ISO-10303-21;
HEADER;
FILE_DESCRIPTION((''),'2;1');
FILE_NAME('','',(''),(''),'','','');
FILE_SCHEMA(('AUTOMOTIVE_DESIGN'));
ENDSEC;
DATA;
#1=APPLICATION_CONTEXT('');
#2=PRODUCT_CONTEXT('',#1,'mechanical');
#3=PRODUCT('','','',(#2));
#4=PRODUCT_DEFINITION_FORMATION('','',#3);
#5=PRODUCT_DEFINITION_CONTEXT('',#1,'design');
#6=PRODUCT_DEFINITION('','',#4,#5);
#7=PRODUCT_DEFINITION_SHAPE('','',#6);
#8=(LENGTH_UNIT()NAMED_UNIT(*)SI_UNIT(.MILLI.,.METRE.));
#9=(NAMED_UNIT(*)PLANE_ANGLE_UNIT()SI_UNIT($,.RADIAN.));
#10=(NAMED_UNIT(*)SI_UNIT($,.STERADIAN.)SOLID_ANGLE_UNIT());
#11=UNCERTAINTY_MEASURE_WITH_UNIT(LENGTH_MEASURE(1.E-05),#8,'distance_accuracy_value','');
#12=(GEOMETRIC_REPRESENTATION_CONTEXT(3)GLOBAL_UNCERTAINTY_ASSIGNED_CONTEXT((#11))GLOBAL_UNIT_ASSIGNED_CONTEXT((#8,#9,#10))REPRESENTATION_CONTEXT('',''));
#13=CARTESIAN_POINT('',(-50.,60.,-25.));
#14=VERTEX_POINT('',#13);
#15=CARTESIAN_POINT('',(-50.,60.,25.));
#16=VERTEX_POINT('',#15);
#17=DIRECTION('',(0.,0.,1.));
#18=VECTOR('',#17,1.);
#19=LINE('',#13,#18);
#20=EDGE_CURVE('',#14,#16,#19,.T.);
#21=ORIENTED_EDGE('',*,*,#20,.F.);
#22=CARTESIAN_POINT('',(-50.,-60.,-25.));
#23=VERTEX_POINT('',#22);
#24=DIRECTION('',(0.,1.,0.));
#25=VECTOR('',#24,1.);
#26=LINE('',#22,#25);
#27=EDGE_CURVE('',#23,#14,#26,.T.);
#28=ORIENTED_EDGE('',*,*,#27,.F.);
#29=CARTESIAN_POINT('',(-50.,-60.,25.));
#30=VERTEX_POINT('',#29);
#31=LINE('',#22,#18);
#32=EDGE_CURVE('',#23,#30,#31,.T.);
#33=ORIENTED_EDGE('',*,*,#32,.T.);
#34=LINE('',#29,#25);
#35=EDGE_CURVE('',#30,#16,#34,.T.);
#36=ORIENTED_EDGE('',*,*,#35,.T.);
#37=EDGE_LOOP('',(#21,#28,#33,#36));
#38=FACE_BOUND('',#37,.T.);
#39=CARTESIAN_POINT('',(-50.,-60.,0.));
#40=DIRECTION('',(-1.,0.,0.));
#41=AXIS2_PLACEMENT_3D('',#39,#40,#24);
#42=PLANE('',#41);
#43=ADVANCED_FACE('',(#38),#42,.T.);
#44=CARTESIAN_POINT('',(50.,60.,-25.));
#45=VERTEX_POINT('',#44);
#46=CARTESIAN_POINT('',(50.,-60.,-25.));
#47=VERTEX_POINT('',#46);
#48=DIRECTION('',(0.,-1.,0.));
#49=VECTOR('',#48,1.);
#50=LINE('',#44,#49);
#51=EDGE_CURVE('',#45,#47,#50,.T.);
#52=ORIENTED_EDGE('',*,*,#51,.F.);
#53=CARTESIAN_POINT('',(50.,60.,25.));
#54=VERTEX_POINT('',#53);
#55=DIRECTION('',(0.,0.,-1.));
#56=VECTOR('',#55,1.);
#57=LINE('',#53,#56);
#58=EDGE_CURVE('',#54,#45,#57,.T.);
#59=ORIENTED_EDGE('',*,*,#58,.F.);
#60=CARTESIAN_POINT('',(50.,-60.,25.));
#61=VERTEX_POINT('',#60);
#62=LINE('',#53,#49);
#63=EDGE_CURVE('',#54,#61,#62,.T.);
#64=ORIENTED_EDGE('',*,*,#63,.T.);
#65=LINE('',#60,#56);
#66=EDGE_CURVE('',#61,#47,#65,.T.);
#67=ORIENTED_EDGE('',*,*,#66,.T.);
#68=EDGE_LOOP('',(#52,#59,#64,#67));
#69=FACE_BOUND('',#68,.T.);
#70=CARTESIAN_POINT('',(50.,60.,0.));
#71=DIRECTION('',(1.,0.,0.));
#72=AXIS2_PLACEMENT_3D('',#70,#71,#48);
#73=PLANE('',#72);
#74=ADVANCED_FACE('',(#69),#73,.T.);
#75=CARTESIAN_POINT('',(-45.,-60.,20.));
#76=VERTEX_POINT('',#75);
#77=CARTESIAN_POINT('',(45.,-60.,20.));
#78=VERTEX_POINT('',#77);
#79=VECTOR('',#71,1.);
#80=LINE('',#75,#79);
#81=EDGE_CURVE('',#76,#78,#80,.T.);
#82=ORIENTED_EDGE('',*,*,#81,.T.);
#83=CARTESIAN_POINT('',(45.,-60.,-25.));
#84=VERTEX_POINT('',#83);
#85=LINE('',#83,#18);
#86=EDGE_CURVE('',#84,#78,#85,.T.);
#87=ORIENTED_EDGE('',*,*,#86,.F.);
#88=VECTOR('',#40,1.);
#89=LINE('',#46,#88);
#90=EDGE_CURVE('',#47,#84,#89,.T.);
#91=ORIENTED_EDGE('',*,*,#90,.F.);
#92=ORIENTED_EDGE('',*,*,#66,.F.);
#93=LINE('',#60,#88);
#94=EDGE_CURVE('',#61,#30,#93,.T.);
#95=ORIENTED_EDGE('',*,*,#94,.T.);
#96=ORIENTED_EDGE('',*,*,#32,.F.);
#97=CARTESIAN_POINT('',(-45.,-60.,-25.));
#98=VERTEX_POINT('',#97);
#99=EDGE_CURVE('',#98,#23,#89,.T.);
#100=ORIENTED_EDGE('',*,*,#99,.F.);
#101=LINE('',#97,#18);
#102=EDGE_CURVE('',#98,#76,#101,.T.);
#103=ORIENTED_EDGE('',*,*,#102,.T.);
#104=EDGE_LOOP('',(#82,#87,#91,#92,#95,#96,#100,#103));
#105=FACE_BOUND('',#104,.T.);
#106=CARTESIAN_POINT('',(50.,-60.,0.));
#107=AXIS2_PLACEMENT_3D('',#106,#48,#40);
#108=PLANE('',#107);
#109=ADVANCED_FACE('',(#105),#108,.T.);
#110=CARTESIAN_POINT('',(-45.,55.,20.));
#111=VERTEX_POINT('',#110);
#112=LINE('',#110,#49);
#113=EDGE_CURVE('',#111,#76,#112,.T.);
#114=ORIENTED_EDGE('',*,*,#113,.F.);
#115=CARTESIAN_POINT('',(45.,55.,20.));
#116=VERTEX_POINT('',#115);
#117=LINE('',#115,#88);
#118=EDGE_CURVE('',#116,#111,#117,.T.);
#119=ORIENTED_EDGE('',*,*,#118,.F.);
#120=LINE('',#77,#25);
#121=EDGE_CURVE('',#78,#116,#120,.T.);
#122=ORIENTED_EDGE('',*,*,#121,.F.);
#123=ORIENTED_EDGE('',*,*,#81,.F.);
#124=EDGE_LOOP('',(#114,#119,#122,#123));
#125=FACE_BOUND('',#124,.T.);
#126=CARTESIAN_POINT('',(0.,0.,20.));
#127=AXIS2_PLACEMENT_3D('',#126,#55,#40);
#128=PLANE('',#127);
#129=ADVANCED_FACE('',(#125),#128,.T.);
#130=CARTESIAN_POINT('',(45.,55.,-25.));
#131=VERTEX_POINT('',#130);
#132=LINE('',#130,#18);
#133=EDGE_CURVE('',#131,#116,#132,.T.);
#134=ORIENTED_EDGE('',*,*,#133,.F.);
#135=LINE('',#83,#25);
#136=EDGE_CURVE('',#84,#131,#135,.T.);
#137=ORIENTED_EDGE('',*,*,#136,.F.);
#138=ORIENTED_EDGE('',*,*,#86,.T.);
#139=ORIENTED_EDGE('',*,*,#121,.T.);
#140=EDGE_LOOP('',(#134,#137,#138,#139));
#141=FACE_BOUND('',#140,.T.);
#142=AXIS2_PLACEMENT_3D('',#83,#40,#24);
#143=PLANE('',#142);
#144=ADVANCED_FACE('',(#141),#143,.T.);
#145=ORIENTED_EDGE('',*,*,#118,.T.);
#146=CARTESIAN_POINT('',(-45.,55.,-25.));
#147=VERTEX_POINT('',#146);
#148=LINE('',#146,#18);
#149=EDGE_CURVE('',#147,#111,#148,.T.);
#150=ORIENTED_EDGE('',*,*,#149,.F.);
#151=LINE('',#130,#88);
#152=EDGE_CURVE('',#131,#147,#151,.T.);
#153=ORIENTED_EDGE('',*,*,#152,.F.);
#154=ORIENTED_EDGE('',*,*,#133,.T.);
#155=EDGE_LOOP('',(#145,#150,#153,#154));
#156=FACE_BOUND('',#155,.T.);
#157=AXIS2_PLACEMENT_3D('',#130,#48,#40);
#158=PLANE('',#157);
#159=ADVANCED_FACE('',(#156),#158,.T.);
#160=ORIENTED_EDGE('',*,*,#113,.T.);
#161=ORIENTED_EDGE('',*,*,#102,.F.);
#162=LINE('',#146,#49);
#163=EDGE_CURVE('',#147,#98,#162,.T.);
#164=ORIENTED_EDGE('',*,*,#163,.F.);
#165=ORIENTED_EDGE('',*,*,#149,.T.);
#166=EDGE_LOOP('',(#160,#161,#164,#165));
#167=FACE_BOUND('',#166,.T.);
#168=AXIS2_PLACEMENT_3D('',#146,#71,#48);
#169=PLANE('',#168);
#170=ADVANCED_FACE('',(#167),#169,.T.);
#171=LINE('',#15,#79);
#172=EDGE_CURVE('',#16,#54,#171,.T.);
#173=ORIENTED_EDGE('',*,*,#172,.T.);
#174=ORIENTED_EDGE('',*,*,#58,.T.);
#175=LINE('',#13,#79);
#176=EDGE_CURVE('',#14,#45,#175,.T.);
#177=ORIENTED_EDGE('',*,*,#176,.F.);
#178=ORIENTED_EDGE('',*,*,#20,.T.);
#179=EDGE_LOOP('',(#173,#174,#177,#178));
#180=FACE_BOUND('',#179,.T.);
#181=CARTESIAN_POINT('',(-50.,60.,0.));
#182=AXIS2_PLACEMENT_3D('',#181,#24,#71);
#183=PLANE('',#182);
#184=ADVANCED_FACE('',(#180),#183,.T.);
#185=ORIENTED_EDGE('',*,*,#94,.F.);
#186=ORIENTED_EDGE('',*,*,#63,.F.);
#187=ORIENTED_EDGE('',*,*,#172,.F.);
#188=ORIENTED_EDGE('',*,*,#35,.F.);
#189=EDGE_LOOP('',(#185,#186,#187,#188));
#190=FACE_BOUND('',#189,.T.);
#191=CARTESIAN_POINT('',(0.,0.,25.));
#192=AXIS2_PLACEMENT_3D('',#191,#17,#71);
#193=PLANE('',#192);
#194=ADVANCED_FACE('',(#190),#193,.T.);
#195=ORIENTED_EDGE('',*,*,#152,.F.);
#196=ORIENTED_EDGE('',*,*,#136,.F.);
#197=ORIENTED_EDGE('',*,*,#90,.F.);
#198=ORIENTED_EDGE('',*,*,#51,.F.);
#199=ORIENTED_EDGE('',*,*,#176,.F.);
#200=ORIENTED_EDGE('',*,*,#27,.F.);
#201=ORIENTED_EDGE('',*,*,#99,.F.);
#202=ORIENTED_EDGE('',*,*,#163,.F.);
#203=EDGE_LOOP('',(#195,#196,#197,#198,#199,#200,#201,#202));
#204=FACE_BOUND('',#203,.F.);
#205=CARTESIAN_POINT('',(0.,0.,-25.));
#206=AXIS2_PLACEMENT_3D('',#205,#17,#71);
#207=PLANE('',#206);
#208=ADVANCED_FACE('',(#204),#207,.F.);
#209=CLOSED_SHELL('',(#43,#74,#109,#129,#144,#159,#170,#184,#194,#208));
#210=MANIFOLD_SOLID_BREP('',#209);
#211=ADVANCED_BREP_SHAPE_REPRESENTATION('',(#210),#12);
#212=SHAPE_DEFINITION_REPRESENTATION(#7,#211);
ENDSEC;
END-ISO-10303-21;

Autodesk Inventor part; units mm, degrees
ref_plane "YZ Plane" through (0, 0, 0) normal (1, 0, 0) x (0, 1, 0)
ref_plane "XZ Plane" through (0, 0, 0) normal (0, 1, 0) x (-1, 0, 0)
ref_plane "XY Plane" through (0, 0, 0) normal (0, 0, 1) x (1, 0, 0)
sketch "Sketch1" plane through (0, 0, 0) normal (0, 0, 1) x (1, 0, 0)
  line L0 (-50, 60) -> (50, 60)
  line L1 (50, 60) -> (50, -60)
  line L2 (50, -60) -> (-50, -60)
  line L3 (-50, -60) -> (-50, 60)
  point P0 (0, 0)
  dimension "d0" = 100
  dimension "d1" = 120
  dimension "d2" = 60
  dimension "d3" = 50
extrude "Extrusion1" add sketch "Sketch1" along normal mid plane 50
sketch "Sketch2" plane through (0, 0, -25) normal (0, 0, -1) x (-1, 0, 0)
  line L0 (-45, 55) -> (45, 55)
  line L1 (45, 55) -> (45, -60)
  line L2 (45, -60) -> (-45, -60)
  line L3 (-45, -60) -> (-45, 55)
  line L4 (-50, -60) -> (-50, 60) projected
  line L5 (-50, 60) -> (50, 60) projected
  line L6 (-50, 60) -> (50, 60)
  line L7 (50, -60) -> (-50, -60) projected
  line L8 (50, 60) -> (50, -60)
  line L9 (50, -60) -> (-50, -60)
  line L10 (-50, -60) -> (-50, 60)
  point P0 (0, 0)
  point P1 (0, -60)
  dimension "d6" = 5
  dimension "d7" = 5
  dimension "d8" = 5
extrude "Extrusion2" cut sketch "Sketch2" against normal blind 45 contours L0 L1 L2 L3
properties part number "casing"
